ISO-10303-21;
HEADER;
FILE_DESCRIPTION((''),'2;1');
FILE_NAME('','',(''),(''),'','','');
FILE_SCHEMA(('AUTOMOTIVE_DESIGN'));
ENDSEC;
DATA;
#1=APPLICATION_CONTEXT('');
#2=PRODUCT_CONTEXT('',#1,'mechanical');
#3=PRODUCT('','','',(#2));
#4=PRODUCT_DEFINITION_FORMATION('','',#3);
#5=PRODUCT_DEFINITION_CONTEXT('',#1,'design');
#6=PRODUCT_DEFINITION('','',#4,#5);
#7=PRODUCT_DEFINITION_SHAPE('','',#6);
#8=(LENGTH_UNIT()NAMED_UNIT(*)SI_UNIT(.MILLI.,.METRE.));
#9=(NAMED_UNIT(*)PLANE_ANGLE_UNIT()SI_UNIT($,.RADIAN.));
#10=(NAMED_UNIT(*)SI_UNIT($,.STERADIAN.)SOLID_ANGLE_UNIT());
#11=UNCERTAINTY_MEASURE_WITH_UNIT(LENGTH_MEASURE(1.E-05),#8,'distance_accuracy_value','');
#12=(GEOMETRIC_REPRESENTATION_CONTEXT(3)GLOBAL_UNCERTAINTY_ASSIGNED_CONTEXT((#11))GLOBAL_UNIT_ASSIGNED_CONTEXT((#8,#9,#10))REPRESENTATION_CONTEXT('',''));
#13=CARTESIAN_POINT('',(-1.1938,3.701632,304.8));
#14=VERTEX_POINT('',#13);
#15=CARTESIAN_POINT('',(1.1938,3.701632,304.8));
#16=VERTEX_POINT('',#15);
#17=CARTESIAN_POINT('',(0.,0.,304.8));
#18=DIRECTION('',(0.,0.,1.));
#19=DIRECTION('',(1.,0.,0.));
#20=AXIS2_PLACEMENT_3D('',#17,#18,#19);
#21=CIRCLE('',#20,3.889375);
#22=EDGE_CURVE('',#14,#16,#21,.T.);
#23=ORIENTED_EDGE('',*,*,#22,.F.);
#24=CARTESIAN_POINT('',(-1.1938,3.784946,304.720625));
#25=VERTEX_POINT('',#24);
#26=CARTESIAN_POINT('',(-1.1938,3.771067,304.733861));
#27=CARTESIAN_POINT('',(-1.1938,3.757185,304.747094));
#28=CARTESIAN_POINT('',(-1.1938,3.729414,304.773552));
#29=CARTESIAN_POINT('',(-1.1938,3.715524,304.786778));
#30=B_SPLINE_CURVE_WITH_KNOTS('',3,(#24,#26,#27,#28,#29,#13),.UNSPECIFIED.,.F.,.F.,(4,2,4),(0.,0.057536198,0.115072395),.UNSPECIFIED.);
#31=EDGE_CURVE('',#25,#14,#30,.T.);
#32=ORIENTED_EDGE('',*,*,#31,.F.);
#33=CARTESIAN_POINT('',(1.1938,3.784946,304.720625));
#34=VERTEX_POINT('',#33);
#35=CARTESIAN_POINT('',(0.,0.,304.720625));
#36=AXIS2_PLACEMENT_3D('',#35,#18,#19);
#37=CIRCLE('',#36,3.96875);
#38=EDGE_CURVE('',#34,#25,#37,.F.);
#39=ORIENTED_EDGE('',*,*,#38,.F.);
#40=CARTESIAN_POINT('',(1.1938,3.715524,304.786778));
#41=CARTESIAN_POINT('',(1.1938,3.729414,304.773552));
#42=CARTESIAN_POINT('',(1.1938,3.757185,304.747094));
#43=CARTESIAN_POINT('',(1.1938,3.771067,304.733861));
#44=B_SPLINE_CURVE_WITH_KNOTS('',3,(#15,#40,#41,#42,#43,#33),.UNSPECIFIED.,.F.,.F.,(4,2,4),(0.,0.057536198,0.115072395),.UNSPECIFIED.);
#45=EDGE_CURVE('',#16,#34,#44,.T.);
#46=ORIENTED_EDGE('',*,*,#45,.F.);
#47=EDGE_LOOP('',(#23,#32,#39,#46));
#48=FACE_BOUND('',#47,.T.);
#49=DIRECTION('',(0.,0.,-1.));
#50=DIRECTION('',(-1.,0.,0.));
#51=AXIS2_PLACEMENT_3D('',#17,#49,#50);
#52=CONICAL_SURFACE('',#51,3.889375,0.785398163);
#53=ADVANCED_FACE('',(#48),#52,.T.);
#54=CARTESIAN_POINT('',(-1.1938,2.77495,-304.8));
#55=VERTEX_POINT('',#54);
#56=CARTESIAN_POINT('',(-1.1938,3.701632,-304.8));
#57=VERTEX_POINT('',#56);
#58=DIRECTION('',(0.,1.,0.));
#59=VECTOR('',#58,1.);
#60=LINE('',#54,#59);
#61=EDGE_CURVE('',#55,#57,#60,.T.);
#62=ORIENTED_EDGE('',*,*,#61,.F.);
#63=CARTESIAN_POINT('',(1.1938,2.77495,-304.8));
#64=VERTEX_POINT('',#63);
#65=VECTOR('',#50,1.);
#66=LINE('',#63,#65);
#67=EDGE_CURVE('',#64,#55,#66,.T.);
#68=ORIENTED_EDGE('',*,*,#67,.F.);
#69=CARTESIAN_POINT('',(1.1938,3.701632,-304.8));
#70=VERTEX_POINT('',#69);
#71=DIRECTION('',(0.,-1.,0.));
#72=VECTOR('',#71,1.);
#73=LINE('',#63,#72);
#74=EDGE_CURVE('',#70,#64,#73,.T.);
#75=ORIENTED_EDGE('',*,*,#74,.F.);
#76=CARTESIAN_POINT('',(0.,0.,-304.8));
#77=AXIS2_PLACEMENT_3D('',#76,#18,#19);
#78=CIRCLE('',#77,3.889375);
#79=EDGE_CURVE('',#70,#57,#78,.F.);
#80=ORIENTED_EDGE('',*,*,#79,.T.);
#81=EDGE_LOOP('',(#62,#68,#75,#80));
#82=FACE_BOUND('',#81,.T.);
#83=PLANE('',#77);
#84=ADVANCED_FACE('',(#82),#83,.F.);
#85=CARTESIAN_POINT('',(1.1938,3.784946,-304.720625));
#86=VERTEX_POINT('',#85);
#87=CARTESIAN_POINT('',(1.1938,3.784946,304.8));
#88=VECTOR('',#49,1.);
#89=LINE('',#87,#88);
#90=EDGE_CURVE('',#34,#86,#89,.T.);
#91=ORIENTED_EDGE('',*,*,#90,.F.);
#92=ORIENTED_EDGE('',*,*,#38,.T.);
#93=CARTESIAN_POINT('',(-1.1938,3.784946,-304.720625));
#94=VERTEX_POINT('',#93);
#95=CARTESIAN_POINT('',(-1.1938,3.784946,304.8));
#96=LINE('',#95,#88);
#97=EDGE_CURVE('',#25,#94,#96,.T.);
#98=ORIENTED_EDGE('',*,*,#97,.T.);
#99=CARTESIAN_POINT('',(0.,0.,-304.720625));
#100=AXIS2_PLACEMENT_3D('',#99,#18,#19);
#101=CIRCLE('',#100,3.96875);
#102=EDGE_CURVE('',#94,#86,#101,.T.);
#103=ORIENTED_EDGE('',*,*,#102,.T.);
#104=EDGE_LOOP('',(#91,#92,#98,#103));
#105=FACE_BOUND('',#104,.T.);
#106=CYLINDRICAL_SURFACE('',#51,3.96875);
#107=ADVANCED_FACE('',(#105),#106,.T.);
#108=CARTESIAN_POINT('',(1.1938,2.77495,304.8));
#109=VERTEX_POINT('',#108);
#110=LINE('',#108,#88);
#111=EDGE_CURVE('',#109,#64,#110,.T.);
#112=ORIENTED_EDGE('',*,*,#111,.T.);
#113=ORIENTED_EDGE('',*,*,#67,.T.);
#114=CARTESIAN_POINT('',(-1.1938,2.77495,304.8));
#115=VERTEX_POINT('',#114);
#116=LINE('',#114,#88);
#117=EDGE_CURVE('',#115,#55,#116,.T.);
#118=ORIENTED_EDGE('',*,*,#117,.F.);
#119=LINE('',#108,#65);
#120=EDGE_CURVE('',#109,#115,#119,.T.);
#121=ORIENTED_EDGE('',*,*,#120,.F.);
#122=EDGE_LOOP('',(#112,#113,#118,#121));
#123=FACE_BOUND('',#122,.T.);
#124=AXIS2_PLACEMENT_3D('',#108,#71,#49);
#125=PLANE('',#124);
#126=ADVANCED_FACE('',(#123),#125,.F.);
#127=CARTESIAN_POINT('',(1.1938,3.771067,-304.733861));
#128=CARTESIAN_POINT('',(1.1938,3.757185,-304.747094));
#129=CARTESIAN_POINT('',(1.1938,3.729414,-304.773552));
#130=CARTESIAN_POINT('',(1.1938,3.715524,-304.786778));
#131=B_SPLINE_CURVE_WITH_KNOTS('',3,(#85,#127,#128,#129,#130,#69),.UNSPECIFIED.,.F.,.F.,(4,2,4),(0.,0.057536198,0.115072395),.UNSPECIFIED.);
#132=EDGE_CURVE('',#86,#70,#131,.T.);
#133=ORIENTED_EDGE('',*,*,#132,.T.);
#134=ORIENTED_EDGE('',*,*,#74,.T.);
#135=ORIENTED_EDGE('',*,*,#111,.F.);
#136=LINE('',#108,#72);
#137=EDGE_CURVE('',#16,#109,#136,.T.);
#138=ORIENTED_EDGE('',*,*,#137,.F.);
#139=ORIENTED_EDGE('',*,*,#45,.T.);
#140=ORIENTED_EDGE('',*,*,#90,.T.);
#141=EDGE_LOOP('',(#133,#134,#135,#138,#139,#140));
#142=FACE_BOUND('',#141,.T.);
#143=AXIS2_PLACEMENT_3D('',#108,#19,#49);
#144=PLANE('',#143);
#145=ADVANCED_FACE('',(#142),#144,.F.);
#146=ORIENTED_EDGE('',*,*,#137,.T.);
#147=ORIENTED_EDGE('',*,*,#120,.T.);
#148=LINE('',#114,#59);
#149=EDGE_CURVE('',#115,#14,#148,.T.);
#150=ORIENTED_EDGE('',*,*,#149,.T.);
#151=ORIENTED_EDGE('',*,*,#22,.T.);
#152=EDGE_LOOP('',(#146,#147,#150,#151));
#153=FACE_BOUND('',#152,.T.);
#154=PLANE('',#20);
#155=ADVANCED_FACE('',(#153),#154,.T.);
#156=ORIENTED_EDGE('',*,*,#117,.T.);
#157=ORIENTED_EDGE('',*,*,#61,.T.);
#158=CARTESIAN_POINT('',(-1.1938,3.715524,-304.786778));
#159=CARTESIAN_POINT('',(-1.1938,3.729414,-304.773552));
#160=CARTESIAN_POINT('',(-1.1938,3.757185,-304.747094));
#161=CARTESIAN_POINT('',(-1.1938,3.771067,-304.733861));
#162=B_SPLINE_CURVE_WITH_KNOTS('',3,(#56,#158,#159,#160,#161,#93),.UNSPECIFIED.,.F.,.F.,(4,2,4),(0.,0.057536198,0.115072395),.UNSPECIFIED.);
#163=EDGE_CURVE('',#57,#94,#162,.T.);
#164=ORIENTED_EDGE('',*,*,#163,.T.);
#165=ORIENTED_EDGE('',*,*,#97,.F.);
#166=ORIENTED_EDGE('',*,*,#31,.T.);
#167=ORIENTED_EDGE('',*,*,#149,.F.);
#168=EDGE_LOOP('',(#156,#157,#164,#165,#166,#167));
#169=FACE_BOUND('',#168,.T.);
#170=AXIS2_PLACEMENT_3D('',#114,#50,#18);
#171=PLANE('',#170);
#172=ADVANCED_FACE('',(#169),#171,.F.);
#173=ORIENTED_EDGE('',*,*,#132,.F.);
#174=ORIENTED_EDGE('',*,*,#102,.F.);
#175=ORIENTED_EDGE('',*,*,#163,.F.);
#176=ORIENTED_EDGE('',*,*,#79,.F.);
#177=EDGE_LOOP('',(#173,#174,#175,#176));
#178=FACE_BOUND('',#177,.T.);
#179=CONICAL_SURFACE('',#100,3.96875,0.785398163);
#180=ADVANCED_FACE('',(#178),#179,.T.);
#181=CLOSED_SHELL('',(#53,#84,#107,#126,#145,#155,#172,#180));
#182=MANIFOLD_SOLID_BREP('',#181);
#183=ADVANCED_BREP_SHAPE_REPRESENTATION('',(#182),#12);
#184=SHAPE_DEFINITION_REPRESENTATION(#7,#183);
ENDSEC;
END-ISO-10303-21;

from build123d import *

# Parameters (mm, degrees)
BOSS_EXTRUDE1_DEPTH      = 304.8
BOSS_EXTRUDE1_DEPTH_BACK = 304.8
CHAMFER1_SIZE            = 0.079375


with BuildPart() as part:
    # Sketch3 → Boss-Extrude1 (new, two sides: drawn at the far end of the back side and taken through both)
    with BuildSketch(Plane.XY.offset(-BOSS_EXTRUDE1_DEPTH_BACK)):
        with BuildLine():
            Line((-1.1938, 2.77495), (-1.1938, 3.784946251))
            ThreePointArc((-1.1938, 3.784946251), (0, -3.96875), (1.1938, 3.784946251))
            Line((1.1938, 3.784946251), (1.1938, 2.77495))
            Line((1.1938, 2.77495), (-1.1938, 2.77495))
        make_face()
    extrude(amount=BOSS_EXTRUDE1_DEPTH + BOSS_EXTRUDE1_DEPTH_BACK)

    # Chamfer1
    chamfer1_edges = [part.edges().sort_by_distance(p)[0] for p in [
        (0, -3.96875, -304.8),
        (0, -3.96875, 304.8),
    ]]
    chamfer(chamfer1_edges, length=CHAMFER1_SIZE)


solid = part.part
